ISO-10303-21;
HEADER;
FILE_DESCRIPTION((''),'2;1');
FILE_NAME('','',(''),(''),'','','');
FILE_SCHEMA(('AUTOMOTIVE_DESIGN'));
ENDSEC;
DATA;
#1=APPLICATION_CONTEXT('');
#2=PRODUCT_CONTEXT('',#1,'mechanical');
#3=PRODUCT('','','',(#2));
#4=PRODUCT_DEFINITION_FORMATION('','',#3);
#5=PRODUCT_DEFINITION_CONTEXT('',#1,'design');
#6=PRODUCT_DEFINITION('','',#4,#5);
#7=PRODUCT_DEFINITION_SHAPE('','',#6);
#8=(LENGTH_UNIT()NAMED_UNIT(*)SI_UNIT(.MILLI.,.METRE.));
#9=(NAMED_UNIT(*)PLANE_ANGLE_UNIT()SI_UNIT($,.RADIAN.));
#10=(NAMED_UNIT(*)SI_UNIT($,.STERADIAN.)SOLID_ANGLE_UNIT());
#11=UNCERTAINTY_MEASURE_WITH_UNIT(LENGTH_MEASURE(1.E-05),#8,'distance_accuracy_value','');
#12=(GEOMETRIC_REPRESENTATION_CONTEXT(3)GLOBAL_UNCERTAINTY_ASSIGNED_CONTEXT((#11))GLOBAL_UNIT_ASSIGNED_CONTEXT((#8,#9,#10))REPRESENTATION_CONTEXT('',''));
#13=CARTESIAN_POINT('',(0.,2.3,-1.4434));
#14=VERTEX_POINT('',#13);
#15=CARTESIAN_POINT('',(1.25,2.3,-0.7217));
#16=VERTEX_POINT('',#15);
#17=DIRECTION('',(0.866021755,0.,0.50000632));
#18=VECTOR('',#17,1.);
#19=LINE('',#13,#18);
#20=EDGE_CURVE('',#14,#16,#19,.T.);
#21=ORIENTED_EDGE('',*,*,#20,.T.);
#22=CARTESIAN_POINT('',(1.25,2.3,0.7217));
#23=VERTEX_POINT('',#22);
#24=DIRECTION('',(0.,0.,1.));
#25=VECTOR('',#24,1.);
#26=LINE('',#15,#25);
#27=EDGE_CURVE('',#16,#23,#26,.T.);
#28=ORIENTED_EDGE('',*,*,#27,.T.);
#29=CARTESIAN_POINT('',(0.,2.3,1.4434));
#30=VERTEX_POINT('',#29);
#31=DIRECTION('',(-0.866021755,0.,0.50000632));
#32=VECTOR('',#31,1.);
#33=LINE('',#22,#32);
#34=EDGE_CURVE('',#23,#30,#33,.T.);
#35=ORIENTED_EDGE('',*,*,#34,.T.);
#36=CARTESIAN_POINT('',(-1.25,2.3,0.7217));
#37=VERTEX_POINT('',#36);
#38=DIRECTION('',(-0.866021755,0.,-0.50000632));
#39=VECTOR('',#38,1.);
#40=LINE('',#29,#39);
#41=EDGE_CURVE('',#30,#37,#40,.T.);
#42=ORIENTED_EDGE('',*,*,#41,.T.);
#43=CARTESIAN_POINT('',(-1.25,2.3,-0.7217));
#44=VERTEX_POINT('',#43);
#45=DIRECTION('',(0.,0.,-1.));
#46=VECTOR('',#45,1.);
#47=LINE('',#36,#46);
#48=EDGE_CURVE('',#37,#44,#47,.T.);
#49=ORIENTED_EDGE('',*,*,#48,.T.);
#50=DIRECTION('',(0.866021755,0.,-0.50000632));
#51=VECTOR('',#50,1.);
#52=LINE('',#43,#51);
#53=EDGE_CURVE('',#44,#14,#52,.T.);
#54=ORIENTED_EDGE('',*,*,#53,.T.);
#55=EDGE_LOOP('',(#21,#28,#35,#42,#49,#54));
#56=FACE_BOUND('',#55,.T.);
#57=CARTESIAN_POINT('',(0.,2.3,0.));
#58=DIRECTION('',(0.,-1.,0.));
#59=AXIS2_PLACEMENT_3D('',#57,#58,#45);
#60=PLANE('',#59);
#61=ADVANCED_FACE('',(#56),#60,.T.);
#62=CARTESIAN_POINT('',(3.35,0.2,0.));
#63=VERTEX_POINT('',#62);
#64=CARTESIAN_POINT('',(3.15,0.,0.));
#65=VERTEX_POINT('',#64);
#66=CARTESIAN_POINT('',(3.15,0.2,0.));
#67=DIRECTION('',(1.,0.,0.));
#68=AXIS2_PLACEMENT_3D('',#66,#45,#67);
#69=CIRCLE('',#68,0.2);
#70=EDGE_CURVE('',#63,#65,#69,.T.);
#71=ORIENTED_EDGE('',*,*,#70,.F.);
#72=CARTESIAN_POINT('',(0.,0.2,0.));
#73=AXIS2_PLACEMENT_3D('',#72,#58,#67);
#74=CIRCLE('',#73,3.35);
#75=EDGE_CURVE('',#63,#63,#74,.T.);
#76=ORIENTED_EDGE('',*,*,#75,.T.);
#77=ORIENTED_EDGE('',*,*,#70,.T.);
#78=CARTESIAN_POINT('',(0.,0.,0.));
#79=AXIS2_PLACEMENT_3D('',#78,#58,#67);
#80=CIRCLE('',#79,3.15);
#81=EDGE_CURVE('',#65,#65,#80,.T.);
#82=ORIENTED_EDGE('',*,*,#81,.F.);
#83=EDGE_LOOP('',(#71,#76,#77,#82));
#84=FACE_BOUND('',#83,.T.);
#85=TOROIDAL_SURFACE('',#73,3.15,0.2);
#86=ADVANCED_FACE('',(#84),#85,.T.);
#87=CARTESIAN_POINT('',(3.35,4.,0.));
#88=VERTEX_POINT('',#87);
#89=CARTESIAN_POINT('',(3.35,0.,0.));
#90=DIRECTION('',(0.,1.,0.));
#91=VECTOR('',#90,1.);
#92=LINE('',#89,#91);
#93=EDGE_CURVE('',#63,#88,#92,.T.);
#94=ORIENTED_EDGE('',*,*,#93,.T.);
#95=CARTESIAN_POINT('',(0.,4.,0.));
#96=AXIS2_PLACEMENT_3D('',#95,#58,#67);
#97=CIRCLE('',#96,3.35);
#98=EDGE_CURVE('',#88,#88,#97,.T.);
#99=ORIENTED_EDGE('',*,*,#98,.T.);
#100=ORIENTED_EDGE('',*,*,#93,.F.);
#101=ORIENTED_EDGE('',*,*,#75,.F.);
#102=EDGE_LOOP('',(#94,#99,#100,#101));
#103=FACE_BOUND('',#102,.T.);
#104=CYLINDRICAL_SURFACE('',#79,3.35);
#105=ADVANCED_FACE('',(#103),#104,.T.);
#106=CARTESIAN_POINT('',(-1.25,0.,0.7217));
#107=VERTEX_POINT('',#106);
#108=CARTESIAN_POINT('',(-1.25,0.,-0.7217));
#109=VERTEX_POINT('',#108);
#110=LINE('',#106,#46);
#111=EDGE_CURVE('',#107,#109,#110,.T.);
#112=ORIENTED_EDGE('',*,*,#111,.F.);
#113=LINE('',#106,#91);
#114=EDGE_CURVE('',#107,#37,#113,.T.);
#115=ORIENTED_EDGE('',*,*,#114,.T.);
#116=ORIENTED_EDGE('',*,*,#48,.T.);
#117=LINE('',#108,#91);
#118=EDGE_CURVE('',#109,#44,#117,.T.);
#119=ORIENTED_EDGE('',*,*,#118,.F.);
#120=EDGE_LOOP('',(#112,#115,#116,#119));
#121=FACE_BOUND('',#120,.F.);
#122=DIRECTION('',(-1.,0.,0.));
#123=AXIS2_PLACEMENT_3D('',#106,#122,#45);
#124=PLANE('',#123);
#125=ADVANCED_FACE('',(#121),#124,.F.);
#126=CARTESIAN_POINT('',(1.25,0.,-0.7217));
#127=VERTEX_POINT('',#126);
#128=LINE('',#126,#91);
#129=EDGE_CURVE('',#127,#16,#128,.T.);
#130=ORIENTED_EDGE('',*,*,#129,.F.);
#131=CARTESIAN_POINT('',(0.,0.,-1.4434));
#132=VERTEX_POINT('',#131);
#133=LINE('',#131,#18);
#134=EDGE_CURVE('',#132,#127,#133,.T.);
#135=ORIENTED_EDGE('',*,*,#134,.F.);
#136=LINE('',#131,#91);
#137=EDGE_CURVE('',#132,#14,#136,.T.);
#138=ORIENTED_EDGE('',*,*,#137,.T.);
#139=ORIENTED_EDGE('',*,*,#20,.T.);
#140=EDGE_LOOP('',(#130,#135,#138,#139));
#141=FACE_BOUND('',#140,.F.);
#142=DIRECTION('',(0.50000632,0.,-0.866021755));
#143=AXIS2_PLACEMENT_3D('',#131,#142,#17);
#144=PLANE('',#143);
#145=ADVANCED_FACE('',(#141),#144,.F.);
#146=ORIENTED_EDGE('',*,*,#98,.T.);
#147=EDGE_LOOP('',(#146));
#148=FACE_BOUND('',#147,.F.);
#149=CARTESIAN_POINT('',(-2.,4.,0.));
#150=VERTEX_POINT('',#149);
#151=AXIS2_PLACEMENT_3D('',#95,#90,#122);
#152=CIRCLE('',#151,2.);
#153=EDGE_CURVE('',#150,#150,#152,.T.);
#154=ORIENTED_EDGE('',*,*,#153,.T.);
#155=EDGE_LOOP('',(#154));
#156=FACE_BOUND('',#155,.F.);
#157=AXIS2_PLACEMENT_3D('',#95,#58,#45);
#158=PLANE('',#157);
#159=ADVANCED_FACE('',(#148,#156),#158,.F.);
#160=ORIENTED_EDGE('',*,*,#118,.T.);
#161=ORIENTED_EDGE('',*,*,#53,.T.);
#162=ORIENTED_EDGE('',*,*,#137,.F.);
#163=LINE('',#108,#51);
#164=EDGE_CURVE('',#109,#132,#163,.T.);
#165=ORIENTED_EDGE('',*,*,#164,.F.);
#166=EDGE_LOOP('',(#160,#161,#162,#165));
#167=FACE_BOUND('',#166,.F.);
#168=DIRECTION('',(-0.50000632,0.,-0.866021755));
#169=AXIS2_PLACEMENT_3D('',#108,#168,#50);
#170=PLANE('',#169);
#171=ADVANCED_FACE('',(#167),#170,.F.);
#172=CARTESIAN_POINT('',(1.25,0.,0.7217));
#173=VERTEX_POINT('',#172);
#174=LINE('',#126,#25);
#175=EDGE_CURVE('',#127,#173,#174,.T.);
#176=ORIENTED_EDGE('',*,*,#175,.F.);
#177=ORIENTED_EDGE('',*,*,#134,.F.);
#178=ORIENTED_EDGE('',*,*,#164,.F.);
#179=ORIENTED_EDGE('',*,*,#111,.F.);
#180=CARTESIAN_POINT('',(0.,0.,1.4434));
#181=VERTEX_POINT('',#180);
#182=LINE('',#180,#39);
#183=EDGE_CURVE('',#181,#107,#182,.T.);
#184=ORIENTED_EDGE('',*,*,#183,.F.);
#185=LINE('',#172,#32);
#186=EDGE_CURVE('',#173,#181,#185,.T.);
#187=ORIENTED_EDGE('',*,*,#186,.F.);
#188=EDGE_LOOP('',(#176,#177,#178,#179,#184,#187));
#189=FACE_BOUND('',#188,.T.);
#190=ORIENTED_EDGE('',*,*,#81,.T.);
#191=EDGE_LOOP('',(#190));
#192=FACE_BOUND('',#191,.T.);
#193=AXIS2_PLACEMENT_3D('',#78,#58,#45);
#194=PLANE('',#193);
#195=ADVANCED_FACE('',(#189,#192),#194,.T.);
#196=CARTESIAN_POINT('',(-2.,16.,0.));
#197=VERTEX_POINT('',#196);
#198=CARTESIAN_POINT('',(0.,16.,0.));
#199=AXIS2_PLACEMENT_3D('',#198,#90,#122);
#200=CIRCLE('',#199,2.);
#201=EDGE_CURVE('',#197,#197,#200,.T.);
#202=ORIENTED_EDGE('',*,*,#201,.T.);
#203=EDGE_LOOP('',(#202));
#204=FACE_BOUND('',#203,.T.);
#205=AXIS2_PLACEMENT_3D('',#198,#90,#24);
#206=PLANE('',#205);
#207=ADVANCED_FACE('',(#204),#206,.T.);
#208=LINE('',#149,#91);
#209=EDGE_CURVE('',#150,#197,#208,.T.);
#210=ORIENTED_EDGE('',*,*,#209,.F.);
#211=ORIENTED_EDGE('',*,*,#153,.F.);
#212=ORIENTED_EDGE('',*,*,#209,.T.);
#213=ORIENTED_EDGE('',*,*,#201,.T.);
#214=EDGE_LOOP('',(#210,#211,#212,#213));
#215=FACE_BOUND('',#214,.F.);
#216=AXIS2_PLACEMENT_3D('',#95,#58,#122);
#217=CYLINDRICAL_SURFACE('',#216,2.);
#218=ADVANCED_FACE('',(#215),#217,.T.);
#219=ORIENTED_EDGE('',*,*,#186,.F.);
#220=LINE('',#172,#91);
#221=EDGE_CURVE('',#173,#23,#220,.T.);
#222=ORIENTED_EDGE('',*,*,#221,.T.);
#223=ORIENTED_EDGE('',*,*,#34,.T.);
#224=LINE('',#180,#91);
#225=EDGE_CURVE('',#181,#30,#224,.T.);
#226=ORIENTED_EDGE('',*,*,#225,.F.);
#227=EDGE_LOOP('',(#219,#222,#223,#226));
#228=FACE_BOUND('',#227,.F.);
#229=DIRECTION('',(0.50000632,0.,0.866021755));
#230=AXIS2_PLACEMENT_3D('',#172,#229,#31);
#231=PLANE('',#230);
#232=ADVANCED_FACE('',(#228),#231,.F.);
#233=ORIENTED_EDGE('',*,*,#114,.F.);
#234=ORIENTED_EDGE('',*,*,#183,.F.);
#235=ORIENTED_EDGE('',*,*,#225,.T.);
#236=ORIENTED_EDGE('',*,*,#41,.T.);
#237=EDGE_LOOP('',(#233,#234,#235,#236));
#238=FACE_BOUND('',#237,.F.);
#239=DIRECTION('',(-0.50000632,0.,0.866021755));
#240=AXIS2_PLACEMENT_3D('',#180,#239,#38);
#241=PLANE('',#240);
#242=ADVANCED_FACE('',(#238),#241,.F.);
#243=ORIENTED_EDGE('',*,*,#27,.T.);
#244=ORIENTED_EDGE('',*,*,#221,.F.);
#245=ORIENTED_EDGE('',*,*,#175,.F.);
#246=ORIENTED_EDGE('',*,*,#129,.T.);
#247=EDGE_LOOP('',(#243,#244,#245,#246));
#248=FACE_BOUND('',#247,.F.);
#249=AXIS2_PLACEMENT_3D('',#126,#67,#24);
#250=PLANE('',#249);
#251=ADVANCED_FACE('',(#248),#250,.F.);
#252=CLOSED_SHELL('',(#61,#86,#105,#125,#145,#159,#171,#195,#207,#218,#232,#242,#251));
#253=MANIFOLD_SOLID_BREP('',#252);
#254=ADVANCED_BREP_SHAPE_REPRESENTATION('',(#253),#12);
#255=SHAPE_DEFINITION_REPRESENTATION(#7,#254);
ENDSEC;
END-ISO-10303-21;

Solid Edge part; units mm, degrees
sketch "Sketch1" plane through (0, 0, 0) normal (0, -1, 0) x (1, 0, 0)
  circle A0 centre (0, 0) radius 3.35
extrude "Protrusion1" add sketch "Sketch1" against normal blind 4
sketch "Sketch2" plane through (0, 4, 0) normal (0, 1, 0) x (-1, 0, 0)
  circle A0 centre (0, 0) radius 2
extrude "ExtrudedProtrusion_2" add sketch "Sketch2" along normal blind 12
fillet "Round_1" radius 0.2 1 edges at (-3.35, 0, 0)
sketch "Sketch3" plane through (0, 0, 0) normal (0, -1, 0) x (1, 0, 0)
  line L0 (0, 1.4434) -> (-1.25, 0.7217)
  line L1 (-1.25, 0.7217) -> (-1.25, -0.7217)
  line L2 (-1.25, -0.7217) -> (0, -1.4434)
  line L3 (0, -1.4434) -> (1.25, -0.7217)
  line L4 (1.25, -0.7217) -> (1.25, 0.7217)
  line L5 (1.25, 0.7217) -> (0, 1.4434)
extrude "ExtrudedCutout_2" cut sketch "Sketch3" against normal blind 2.3
properties material "Steel"
